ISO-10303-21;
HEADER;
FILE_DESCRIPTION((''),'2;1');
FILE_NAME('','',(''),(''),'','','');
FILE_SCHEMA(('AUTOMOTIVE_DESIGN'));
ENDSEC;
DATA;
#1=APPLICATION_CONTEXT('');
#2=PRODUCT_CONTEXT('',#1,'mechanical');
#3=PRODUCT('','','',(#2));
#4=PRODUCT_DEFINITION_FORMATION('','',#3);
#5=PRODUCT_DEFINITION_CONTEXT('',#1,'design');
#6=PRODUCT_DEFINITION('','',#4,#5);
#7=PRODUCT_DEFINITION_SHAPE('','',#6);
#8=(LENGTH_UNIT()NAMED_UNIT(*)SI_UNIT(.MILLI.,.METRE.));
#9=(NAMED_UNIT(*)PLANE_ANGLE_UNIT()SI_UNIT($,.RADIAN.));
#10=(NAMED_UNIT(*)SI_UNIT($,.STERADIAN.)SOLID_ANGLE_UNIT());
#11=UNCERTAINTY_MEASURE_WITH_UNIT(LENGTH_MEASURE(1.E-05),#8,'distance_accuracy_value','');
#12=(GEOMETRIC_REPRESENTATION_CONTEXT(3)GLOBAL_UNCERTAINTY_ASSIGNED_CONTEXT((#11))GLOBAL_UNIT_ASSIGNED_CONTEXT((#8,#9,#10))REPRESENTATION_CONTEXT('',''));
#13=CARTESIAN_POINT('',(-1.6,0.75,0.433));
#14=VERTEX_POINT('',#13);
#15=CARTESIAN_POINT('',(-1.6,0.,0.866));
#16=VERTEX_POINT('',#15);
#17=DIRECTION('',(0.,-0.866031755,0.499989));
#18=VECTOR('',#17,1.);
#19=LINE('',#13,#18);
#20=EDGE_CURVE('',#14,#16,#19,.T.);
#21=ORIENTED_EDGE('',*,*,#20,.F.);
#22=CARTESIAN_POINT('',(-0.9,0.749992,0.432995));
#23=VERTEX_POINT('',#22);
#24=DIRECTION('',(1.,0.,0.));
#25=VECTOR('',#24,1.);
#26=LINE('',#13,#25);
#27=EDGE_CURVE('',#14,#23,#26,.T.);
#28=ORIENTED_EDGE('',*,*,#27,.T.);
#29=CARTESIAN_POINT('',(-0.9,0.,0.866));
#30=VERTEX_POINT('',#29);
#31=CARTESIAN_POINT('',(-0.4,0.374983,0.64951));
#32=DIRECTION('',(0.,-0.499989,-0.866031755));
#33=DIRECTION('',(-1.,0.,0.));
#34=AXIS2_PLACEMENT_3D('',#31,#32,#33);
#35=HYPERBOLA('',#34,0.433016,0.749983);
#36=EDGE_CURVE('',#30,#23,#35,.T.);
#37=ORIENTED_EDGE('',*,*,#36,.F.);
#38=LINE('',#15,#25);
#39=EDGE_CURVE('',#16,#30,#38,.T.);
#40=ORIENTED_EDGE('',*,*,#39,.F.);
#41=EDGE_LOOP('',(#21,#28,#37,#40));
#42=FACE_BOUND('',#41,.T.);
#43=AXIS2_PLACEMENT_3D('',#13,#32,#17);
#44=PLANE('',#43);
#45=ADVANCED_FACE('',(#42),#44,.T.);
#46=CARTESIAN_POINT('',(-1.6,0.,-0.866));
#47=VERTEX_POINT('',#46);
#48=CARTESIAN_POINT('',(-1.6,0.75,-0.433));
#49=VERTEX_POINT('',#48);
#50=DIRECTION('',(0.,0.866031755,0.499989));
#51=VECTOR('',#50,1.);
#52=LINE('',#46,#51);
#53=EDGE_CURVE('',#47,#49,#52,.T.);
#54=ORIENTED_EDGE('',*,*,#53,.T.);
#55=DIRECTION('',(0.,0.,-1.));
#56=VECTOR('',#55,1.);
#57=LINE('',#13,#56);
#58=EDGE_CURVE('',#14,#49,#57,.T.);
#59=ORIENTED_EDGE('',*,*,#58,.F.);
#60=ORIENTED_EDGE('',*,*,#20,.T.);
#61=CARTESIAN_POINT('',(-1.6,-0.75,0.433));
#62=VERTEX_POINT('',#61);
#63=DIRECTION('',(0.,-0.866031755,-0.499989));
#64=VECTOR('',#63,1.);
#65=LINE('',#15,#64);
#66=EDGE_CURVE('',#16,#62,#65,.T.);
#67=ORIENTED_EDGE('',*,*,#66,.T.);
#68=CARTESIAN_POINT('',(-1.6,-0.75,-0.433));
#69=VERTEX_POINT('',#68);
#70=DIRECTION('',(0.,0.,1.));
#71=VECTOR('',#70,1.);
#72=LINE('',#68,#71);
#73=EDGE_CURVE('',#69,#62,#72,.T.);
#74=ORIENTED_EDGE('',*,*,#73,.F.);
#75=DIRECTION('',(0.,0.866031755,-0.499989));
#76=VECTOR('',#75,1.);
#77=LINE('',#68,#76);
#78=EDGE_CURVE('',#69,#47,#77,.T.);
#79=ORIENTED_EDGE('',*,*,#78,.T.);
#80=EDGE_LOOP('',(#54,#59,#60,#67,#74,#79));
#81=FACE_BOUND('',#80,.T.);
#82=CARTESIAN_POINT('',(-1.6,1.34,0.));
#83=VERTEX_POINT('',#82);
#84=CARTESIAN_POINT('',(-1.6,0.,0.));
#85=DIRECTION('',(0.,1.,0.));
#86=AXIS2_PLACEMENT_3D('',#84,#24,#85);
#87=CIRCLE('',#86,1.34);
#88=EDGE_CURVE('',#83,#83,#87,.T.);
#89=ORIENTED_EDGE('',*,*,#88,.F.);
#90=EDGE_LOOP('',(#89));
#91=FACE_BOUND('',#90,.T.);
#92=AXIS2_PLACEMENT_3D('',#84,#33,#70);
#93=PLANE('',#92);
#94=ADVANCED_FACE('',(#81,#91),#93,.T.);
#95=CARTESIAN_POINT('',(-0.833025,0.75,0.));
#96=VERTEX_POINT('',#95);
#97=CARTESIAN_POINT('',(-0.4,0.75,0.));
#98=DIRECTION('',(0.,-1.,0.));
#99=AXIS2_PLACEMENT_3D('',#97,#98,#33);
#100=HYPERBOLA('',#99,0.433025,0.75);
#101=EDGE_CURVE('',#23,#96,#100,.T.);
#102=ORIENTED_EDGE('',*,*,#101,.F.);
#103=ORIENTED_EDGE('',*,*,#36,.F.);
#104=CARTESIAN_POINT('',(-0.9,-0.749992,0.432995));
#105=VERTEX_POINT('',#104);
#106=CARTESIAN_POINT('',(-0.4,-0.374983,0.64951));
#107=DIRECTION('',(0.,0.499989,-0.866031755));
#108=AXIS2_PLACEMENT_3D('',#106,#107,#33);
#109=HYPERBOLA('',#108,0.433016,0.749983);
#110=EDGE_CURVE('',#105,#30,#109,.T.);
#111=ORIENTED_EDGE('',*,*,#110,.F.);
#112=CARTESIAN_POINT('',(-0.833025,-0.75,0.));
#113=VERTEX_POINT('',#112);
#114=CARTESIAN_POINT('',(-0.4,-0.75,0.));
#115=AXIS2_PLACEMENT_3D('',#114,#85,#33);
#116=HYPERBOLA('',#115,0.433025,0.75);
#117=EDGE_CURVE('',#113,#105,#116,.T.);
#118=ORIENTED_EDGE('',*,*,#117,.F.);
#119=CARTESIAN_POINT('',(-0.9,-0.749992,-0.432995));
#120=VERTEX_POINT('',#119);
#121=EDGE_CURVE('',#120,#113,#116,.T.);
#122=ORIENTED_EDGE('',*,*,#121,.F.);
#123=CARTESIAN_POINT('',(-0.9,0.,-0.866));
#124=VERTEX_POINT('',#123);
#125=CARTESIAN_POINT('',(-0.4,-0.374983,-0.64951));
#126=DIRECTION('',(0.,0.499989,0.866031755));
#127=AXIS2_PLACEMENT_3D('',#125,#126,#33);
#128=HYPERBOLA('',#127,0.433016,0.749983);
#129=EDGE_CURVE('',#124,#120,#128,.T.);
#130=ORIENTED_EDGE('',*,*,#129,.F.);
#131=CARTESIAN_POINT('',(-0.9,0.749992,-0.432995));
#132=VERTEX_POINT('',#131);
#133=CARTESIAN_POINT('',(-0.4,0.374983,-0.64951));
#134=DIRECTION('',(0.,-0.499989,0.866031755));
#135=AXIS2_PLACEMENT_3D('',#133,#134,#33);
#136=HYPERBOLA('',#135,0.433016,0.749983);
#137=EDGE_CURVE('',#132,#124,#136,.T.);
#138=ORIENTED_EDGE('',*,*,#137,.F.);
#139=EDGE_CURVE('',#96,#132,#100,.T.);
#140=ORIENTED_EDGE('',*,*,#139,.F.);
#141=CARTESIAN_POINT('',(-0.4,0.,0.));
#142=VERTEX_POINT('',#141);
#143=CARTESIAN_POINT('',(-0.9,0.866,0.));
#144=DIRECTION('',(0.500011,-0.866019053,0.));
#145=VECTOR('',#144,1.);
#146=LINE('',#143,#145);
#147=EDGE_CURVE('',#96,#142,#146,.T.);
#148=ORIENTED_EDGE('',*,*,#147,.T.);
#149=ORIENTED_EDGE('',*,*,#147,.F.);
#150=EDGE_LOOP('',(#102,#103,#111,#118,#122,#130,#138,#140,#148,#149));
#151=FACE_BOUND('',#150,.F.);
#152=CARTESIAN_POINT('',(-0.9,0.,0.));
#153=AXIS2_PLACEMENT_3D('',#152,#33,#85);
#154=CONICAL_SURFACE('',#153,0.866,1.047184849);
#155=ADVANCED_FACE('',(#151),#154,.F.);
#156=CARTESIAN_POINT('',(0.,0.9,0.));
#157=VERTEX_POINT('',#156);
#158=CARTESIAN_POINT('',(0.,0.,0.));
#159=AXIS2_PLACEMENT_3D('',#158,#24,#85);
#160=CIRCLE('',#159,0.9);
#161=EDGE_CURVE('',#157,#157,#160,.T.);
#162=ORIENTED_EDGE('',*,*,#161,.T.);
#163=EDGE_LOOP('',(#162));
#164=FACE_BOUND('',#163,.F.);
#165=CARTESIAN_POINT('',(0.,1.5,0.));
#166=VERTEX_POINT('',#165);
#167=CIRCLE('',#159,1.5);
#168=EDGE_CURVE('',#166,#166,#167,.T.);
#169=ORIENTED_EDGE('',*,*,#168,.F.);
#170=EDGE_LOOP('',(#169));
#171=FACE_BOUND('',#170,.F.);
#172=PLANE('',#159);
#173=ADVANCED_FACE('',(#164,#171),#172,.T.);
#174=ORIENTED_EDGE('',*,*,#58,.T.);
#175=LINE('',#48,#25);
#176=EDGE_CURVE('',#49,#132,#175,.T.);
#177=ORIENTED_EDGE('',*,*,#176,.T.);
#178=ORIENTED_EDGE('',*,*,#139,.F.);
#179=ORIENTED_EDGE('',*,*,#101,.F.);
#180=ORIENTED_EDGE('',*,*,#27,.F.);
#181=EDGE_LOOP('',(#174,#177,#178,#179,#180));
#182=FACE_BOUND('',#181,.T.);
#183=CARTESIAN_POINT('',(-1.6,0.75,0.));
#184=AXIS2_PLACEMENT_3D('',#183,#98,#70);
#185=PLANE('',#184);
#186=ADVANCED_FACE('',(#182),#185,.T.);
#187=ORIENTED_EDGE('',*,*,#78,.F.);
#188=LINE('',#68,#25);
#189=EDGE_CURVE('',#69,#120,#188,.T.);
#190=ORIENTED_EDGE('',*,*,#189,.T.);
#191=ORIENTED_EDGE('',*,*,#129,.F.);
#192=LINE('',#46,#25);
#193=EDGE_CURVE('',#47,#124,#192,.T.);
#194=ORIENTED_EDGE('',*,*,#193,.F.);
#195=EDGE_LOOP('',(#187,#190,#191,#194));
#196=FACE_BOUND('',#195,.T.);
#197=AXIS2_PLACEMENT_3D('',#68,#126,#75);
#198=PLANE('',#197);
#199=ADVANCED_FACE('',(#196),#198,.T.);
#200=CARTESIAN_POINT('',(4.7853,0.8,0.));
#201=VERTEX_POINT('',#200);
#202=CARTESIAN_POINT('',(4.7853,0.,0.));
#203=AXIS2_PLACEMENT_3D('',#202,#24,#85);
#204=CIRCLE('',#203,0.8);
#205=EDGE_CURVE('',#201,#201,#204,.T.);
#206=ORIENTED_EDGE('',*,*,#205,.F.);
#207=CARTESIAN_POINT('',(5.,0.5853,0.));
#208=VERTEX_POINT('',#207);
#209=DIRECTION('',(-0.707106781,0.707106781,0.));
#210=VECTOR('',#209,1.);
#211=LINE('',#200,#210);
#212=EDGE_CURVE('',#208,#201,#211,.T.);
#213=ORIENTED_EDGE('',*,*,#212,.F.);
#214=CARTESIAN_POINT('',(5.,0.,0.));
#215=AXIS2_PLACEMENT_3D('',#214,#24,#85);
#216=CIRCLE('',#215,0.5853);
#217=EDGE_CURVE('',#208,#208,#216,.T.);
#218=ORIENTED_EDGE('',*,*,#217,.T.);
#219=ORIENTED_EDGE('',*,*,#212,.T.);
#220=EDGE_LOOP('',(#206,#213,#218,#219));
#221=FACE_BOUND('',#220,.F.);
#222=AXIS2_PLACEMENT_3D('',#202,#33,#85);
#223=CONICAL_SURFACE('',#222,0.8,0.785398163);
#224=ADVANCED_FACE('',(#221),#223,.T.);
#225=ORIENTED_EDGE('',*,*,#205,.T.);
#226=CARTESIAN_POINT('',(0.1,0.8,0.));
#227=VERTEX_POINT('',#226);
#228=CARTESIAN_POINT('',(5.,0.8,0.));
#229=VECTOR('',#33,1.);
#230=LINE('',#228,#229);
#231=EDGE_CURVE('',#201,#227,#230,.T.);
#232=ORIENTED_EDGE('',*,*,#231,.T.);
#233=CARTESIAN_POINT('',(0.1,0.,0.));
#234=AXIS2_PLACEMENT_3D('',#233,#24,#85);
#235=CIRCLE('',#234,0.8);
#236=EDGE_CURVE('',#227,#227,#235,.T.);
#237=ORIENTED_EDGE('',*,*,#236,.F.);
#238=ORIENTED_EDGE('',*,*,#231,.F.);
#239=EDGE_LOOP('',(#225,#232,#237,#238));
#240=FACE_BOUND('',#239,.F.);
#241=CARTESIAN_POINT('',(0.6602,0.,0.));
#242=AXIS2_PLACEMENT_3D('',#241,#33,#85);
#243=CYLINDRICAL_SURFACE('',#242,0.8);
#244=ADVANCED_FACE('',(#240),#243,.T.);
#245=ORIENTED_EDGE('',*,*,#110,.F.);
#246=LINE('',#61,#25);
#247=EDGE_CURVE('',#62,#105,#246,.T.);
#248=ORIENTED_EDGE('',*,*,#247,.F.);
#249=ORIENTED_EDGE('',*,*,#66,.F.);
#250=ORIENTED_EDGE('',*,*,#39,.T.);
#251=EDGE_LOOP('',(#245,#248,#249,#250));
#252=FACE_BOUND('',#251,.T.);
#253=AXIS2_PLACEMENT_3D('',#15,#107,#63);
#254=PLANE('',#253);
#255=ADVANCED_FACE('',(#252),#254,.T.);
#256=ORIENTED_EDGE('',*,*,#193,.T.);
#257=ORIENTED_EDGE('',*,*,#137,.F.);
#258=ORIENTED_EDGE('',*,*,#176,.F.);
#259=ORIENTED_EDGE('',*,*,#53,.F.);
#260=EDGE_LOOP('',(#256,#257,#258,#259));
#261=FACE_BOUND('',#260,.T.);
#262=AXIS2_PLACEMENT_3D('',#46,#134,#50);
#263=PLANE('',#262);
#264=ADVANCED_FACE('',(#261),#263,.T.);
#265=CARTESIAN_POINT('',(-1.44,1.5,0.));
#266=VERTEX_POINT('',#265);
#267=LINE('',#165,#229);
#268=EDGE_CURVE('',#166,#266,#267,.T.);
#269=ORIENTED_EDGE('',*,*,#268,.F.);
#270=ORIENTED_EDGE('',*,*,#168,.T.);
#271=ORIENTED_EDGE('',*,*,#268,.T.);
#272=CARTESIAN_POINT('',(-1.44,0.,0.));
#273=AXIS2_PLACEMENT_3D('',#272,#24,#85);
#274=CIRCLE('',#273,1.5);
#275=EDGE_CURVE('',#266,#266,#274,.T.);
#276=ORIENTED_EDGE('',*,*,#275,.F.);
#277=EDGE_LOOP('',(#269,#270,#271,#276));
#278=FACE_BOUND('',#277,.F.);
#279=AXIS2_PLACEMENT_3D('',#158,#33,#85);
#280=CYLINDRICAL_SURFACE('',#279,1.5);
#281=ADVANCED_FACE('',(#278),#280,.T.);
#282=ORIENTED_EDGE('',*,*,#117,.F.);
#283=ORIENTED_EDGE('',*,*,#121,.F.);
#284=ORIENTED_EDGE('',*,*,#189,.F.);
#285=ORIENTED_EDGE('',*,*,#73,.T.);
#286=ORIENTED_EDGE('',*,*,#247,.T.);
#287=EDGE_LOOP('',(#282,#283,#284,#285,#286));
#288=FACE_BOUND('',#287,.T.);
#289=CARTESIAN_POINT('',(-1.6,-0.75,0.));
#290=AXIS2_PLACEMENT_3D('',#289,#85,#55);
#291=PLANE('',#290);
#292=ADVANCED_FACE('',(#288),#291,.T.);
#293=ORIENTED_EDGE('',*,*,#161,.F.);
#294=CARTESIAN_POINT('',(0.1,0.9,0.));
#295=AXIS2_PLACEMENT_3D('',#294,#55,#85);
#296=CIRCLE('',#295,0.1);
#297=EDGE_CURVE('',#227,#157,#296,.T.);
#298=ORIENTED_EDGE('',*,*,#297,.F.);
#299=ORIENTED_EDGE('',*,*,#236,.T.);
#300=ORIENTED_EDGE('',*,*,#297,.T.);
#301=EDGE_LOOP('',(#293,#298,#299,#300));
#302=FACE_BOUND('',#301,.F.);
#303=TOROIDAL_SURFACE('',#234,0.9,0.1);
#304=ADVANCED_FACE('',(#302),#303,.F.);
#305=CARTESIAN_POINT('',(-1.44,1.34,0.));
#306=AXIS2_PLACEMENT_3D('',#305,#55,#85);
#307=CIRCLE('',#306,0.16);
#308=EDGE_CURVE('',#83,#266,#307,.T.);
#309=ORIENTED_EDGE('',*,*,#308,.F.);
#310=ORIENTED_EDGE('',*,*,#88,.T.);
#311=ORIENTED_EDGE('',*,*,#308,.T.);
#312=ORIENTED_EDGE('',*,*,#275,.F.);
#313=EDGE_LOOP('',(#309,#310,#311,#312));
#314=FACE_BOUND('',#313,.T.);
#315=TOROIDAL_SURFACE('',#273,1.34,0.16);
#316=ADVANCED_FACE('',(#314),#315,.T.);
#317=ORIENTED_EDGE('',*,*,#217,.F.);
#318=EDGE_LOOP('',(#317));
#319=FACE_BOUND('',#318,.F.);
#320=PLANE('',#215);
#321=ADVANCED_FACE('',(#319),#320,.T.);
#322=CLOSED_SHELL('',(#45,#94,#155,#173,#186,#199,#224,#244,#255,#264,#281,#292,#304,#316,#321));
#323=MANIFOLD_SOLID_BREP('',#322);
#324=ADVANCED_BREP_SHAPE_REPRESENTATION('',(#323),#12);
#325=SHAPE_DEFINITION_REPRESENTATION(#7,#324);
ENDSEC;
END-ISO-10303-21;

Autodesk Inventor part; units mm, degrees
ref_plane "YZ Plane" through (0, 0, 0) normal (1, 0, 0) x (0, 1, 0)
ref_plane "XZ Plane" through (0, 0, 0) normal (0, 1, 0) x (-1, 0, 0)
sketch "Skizze1" plane through (0, 0, 0) normal (0, 0, 1) x (1, 0, 0)
  line L0 (-0.4, 0) -> (5, 0)
  line L1 (5, 0) -> (5, 0.8)
  line L2 (5, 0.8) -> (0.875, 0.8)
  line L3 (0.875, 0.8) -> (0.6602, 0.8)
  line L4 (0.6602, 0.8) -> (0, 0.8)
  line L5 (0, 0.8) -> (0, 1.5)
  line L6 (0, 1.5) -> (-1.6, 1.5)
  line L7 (-1.6, 1.5) -> (-1.6, 0.866)
  line L8 (-1.6, 0.866) -> (-0.9, 0.866)
  line L9 (-0.9, 0.866) -> (-0.4, 0)
  line L10 (-2.92, 0) -> (6.32, 0) projected
  line L11 (0, -0.3) -> (0, 1.8) projected
  line L12 (0.875, 0.8) -> (0, 0.8) construction
  dimension "d1" = 4.125
  dimension "d2" = 0.2148
  dimension "d3" = 1.6
  dimension "d4" = 0.7
  dimension "d5" = 60
  dimension "d6" = 1.6
  dimension "d7" = 1.6
  dimension "d8" = 1.7321
  dimension "d9" = 3
  dimension "d26" = 5
revolve "Körper" add sketch "Skizze1" angle 360 about axis through (-0.4, 0, 0) along (1, 0, 0)
sketch "Skizze2" plane through (-1.6, 0, 0) normal (-1, 0, 0) x (0, 0, 1)
  circle A0 centre (0, 0) radius 0.866 projected
  line L0 (0, -2.1) -> (0, 2.1) projected
  line L1 (-2.1, 0) -> (2.1, 0) projected
  line L2 (0.866, 0) -> (0.433, -0.75)
  line L3 (0.433, -0.75) -> (-0.433, -0.75)
  line L4 (-0.433, -0.75) -> (-0.866, 0)
  line L5 (-0.866, 0) -> (-0.433, 0.75)
  line L6 (-0.433, 0.75) -> (0.433, 0.75)
  line L7 (0.433, 0.75) -> (0.866, 0)
extrude "Loch" add sketch "Skizze2" against normal up to next contours L7 A0 | A0 L2 | L6 L0 A0 | A0 L0 L3 | L0 L6 A0 | A0 L3 L0 | L4 A0 | A0 L5
fillet "Rundung1" radius 0.16 1 edges at (-1.6, -1.5, 0)
thread "Gewinde" size "M1.6x0.35" class "6g" standard "ISO Metric profile" length 4.125
chamfer "Fase1" distance 0.2147 distance2 0.2147 1 edges at (5, -0.8, 0) measured on face at (5, -0.0946, 0.2493)
ref_plane "Work Plane1" through (29, 0, 0) normal (0, -1, 0) x (1, 0, 0)
fillet "Fillet2" radius 0.1 1 edges at (0, -0.8, 0)
equation "\"d1\" = GEL"
equation "\"d3\" = KOH"
equation "\"d4\" = INTI"
equation "\"d6\" = GD"
equation "\"d7\" = BDM"
equation "\"d8\" = 1.1547 * SW"
equation "\"d9\" = KOD"
equation "\"d26\" = NLG"
equation "\"d30\" = R"
equation "\"d17\" = RR"
equation "\"d13\" = GEL"
equation "\"d15\" = -0.5 * SPD + 0.5 * GD"
equation "\"d16\" = GUL"
equation "\"GD\" = 1.6"
equation "\"NLG\" = 5"
equation "\"GEL\" = 4.125"
equation "\"KOD\" = 3"
equation "\"KOH\" = 1.6"
equation "\"INTI\" = 0.7"
equation "\"GAL\" = 0.61345 * PTC"
equation "\"GUL\" = 0.61345 * PTC"
equation "\"BDM\" = NND"
equation "\"SW\" = 1.5"
equation "\"RR\" = 0.16"
equation "\"SPD\" = NND - 1.2269 * PTC"
equation "\"R\" = 0.1"
equation "\"TOA\" = 30deg"
equation "\"GD1\" = THREADDIA - 1.2269 * PTC"
equation "\"THREADDIA\" = 1.6"
equation "\"FAWI\" = 45deg"
equation "\"PTC\" = 0.35"
equation "\"NND\" = 1.6"
equation "\"E0\" = 1.155 * SW"
properties part number "ISO 4762 - M1,6 x 5" material "Edelstahl, 440C"
